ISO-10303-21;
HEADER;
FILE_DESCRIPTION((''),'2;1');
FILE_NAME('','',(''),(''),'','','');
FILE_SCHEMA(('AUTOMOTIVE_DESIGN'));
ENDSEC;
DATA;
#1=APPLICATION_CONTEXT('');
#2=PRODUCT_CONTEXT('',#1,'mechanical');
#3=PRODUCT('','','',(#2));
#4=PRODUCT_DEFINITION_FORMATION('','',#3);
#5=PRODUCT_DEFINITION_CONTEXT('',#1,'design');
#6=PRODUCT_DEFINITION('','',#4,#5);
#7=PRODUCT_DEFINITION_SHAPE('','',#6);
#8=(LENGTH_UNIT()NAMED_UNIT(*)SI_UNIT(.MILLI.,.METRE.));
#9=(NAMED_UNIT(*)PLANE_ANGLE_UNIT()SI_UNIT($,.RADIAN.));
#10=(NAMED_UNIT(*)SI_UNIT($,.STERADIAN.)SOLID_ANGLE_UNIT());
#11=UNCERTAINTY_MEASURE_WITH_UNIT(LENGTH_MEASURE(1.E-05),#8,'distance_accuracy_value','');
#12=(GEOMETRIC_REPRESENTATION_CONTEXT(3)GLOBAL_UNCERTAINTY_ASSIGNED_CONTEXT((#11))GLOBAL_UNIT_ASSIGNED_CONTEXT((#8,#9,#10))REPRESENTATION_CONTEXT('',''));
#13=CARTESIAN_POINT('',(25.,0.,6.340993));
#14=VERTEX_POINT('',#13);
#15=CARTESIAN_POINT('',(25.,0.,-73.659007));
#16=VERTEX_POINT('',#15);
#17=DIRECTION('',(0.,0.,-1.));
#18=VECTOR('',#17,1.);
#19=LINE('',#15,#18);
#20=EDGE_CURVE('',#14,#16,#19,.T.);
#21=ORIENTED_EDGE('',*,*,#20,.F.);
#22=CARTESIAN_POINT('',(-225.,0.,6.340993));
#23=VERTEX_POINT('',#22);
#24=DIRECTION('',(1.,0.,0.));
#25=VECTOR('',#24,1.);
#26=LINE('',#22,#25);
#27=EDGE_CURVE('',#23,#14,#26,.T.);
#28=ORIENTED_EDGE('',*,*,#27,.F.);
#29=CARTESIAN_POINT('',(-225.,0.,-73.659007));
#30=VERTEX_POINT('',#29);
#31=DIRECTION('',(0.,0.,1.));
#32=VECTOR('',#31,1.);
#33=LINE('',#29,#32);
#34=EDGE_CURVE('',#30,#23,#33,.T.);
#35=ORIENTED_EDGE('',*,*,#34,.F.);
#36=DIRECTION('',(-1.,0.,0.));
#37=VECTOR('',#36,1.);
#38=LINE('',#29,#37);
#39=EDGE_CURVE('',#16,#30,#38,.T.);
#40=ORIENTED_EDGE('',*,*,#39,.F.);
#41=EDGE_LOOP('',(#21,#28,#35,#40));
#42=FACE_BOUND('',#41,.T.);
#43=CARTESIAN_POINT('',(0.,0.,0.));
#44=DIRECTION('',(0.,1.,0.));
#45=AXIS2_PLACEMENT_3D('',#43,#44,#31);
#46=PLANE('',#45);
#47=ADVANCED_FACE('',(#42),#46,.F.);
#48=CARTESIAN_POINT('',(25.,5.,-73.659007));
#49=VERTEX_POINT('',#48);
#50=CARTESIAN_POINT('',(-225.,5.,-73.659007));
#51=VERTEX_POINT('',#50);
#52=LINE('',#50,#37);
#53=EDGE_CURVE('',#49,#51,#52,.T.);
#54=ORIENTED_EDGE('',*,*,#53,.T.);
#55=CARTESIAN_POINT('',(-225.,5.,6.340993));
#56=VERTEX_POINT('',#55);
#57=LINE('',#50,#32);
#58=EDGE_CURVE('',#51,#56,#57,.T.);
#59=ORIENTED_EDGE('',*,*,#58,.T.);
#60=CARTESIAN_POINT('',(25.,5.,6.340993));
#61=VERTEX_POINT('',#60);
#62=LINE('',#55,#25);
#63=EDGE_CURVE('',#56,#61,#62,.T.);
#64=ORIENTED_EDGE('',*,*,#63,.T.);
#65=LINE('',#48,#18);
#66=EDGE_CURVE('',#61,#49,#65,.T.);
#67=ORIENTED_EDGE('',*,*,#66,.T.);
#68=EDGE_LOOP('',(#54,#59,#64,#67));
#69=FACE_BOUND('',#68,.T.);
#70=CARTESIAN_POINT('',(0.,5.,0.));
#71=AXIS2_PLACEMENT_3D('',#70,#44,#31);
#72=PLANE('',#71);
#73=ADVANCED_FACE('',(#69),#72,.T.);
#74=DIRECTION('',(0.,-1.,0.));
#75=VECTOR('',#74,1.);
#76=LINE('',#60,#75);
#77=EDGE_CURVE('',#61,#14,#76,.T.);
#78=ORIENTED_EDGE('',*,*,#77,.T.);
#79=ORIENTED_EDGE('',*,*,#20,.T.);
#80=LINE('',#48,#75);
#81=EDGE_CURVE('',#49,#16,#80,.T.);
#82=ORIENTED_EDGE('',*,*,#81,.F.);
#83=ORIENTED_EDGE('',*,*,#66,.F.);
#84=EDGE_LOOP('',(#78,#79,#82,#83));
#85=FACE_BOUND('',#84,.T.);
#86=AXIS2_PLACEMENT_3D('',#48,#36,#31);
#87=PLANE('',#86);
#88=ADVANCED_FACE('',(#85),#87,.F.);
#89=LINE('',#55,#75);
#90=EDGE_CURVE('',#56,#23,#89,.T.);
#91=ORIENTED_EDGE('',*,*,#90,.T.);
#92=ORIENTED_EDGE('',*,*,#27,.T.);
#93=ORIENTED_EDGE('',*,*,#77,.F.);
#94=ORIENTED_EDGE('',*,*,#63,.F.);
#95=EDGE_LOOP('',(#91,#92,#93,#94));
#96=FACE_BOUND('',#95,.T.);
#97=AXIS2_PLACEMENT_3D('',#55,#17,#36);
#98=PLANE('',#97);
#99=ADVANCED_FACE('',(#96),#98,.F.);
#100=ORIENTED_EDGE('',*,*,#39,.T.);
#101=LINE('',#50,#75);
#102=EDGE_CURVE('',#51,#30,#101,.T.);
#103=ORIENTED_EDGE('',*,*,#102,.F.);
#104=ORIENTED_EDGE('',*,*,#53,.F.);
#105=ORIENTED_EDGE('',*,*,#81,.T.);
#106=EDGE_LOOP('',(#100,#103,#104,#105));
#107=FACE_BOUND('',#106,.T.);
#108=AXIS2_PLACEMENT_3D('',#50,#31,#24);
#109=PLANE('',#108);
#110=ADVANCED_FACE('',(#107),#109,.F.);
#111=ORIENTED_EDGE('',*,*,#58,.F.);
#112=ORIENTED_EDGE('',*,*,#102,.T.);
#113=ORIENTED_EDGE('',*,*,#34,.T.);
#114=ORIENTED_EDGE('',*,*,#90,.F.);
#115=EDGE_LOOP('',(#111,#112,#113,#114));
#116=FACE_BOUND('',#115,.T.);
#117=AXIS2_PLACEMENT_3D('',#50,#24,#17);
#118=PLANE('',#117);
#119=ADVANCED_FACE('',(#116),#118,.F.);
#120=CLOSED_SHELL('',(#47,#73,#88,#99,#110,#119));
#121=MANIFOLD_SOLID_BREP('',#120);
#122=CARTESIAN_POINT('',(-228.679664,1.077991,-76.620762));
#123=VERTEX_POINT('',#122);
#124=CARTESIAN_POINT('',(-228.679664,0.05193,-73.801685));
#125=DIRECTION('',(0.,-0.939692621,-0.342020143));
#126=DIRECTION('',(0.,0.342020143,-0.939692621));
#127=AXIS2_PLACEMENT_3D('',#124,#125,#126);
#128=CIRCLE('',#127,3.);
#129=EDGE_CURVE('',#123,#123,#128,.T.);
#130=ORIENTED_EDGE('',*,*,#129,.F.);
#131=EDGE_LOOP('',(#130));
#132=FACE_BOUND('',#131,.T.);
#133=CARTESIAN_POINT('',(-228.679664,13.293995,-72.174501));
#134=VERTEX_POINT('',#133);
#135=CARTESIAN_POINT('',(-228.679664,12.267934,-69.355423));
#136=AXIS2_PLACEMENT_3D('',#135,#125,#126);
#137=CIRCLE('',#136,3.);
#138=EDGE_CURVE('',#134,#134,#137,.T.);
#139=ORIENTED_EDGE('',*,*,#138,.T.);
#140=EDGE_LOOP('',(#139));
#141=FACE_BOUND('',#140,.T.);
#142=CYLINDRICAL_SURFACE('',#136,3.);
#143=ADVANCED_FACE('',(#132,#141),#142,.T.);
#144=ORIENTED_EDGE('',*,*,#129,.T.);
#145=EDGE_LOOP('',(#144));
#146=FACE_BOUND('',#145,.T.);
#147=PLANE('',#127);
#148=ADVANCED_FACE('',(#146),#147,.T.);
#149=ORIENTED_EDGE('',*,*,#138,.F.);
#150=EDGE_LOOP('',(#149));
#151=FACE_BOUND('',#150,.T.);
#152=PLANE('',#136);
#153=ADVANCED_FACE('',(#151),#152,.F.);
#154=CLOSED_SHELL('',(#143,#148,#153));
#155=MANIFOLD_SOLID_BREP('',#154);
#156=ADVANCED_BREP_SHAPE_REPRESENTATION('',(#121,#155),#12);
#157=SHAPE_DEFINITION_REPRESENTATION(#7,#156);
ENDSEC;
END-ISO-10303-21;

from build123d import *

# Parameters (mm, degrees)
SKETCH1_W           = 250
SKETCH1_H           = 80
BOSS_EXTRUDE1_DEPTH = 5
SKETCH4_R           = 3
BOSS_EXTRUDE3_DEPTH = 13


with BuildPart() as part:
    # Sketch1 → Boss-Extrude1 (new body)
    with BuildSketch(Plane(origin=(0, 0, 0), x_dir=(1, 0, 0), z_dir=(0, 1, 0))):
        with Locations((-100, 33.659007121)):
            Rectangle(SKETCH1_W, SKETCH1_H)
    extrude(amount=BOSS_EXTRUDE1_DEPTH)


with BuildPart() as body_2:
    # Sketch4 → Boss-Extrude3 (new body)
    with BuildSketch(Plane(origin=(0, -23.673548559, -8.616467015), x_dir=(-1, 0, 0), z_dir=(0, -0.9396926207859081, -0.34202014332566943))):
        with Locations(Location((228.679664398, 69.368659621, 0), (0, 0, 90))):
            Circle(SKETCH4_R)
    extrude(amount=-BOSS_EXTRUDE3_DEPTH)


solid = Compound([part.part, body_2.part])
